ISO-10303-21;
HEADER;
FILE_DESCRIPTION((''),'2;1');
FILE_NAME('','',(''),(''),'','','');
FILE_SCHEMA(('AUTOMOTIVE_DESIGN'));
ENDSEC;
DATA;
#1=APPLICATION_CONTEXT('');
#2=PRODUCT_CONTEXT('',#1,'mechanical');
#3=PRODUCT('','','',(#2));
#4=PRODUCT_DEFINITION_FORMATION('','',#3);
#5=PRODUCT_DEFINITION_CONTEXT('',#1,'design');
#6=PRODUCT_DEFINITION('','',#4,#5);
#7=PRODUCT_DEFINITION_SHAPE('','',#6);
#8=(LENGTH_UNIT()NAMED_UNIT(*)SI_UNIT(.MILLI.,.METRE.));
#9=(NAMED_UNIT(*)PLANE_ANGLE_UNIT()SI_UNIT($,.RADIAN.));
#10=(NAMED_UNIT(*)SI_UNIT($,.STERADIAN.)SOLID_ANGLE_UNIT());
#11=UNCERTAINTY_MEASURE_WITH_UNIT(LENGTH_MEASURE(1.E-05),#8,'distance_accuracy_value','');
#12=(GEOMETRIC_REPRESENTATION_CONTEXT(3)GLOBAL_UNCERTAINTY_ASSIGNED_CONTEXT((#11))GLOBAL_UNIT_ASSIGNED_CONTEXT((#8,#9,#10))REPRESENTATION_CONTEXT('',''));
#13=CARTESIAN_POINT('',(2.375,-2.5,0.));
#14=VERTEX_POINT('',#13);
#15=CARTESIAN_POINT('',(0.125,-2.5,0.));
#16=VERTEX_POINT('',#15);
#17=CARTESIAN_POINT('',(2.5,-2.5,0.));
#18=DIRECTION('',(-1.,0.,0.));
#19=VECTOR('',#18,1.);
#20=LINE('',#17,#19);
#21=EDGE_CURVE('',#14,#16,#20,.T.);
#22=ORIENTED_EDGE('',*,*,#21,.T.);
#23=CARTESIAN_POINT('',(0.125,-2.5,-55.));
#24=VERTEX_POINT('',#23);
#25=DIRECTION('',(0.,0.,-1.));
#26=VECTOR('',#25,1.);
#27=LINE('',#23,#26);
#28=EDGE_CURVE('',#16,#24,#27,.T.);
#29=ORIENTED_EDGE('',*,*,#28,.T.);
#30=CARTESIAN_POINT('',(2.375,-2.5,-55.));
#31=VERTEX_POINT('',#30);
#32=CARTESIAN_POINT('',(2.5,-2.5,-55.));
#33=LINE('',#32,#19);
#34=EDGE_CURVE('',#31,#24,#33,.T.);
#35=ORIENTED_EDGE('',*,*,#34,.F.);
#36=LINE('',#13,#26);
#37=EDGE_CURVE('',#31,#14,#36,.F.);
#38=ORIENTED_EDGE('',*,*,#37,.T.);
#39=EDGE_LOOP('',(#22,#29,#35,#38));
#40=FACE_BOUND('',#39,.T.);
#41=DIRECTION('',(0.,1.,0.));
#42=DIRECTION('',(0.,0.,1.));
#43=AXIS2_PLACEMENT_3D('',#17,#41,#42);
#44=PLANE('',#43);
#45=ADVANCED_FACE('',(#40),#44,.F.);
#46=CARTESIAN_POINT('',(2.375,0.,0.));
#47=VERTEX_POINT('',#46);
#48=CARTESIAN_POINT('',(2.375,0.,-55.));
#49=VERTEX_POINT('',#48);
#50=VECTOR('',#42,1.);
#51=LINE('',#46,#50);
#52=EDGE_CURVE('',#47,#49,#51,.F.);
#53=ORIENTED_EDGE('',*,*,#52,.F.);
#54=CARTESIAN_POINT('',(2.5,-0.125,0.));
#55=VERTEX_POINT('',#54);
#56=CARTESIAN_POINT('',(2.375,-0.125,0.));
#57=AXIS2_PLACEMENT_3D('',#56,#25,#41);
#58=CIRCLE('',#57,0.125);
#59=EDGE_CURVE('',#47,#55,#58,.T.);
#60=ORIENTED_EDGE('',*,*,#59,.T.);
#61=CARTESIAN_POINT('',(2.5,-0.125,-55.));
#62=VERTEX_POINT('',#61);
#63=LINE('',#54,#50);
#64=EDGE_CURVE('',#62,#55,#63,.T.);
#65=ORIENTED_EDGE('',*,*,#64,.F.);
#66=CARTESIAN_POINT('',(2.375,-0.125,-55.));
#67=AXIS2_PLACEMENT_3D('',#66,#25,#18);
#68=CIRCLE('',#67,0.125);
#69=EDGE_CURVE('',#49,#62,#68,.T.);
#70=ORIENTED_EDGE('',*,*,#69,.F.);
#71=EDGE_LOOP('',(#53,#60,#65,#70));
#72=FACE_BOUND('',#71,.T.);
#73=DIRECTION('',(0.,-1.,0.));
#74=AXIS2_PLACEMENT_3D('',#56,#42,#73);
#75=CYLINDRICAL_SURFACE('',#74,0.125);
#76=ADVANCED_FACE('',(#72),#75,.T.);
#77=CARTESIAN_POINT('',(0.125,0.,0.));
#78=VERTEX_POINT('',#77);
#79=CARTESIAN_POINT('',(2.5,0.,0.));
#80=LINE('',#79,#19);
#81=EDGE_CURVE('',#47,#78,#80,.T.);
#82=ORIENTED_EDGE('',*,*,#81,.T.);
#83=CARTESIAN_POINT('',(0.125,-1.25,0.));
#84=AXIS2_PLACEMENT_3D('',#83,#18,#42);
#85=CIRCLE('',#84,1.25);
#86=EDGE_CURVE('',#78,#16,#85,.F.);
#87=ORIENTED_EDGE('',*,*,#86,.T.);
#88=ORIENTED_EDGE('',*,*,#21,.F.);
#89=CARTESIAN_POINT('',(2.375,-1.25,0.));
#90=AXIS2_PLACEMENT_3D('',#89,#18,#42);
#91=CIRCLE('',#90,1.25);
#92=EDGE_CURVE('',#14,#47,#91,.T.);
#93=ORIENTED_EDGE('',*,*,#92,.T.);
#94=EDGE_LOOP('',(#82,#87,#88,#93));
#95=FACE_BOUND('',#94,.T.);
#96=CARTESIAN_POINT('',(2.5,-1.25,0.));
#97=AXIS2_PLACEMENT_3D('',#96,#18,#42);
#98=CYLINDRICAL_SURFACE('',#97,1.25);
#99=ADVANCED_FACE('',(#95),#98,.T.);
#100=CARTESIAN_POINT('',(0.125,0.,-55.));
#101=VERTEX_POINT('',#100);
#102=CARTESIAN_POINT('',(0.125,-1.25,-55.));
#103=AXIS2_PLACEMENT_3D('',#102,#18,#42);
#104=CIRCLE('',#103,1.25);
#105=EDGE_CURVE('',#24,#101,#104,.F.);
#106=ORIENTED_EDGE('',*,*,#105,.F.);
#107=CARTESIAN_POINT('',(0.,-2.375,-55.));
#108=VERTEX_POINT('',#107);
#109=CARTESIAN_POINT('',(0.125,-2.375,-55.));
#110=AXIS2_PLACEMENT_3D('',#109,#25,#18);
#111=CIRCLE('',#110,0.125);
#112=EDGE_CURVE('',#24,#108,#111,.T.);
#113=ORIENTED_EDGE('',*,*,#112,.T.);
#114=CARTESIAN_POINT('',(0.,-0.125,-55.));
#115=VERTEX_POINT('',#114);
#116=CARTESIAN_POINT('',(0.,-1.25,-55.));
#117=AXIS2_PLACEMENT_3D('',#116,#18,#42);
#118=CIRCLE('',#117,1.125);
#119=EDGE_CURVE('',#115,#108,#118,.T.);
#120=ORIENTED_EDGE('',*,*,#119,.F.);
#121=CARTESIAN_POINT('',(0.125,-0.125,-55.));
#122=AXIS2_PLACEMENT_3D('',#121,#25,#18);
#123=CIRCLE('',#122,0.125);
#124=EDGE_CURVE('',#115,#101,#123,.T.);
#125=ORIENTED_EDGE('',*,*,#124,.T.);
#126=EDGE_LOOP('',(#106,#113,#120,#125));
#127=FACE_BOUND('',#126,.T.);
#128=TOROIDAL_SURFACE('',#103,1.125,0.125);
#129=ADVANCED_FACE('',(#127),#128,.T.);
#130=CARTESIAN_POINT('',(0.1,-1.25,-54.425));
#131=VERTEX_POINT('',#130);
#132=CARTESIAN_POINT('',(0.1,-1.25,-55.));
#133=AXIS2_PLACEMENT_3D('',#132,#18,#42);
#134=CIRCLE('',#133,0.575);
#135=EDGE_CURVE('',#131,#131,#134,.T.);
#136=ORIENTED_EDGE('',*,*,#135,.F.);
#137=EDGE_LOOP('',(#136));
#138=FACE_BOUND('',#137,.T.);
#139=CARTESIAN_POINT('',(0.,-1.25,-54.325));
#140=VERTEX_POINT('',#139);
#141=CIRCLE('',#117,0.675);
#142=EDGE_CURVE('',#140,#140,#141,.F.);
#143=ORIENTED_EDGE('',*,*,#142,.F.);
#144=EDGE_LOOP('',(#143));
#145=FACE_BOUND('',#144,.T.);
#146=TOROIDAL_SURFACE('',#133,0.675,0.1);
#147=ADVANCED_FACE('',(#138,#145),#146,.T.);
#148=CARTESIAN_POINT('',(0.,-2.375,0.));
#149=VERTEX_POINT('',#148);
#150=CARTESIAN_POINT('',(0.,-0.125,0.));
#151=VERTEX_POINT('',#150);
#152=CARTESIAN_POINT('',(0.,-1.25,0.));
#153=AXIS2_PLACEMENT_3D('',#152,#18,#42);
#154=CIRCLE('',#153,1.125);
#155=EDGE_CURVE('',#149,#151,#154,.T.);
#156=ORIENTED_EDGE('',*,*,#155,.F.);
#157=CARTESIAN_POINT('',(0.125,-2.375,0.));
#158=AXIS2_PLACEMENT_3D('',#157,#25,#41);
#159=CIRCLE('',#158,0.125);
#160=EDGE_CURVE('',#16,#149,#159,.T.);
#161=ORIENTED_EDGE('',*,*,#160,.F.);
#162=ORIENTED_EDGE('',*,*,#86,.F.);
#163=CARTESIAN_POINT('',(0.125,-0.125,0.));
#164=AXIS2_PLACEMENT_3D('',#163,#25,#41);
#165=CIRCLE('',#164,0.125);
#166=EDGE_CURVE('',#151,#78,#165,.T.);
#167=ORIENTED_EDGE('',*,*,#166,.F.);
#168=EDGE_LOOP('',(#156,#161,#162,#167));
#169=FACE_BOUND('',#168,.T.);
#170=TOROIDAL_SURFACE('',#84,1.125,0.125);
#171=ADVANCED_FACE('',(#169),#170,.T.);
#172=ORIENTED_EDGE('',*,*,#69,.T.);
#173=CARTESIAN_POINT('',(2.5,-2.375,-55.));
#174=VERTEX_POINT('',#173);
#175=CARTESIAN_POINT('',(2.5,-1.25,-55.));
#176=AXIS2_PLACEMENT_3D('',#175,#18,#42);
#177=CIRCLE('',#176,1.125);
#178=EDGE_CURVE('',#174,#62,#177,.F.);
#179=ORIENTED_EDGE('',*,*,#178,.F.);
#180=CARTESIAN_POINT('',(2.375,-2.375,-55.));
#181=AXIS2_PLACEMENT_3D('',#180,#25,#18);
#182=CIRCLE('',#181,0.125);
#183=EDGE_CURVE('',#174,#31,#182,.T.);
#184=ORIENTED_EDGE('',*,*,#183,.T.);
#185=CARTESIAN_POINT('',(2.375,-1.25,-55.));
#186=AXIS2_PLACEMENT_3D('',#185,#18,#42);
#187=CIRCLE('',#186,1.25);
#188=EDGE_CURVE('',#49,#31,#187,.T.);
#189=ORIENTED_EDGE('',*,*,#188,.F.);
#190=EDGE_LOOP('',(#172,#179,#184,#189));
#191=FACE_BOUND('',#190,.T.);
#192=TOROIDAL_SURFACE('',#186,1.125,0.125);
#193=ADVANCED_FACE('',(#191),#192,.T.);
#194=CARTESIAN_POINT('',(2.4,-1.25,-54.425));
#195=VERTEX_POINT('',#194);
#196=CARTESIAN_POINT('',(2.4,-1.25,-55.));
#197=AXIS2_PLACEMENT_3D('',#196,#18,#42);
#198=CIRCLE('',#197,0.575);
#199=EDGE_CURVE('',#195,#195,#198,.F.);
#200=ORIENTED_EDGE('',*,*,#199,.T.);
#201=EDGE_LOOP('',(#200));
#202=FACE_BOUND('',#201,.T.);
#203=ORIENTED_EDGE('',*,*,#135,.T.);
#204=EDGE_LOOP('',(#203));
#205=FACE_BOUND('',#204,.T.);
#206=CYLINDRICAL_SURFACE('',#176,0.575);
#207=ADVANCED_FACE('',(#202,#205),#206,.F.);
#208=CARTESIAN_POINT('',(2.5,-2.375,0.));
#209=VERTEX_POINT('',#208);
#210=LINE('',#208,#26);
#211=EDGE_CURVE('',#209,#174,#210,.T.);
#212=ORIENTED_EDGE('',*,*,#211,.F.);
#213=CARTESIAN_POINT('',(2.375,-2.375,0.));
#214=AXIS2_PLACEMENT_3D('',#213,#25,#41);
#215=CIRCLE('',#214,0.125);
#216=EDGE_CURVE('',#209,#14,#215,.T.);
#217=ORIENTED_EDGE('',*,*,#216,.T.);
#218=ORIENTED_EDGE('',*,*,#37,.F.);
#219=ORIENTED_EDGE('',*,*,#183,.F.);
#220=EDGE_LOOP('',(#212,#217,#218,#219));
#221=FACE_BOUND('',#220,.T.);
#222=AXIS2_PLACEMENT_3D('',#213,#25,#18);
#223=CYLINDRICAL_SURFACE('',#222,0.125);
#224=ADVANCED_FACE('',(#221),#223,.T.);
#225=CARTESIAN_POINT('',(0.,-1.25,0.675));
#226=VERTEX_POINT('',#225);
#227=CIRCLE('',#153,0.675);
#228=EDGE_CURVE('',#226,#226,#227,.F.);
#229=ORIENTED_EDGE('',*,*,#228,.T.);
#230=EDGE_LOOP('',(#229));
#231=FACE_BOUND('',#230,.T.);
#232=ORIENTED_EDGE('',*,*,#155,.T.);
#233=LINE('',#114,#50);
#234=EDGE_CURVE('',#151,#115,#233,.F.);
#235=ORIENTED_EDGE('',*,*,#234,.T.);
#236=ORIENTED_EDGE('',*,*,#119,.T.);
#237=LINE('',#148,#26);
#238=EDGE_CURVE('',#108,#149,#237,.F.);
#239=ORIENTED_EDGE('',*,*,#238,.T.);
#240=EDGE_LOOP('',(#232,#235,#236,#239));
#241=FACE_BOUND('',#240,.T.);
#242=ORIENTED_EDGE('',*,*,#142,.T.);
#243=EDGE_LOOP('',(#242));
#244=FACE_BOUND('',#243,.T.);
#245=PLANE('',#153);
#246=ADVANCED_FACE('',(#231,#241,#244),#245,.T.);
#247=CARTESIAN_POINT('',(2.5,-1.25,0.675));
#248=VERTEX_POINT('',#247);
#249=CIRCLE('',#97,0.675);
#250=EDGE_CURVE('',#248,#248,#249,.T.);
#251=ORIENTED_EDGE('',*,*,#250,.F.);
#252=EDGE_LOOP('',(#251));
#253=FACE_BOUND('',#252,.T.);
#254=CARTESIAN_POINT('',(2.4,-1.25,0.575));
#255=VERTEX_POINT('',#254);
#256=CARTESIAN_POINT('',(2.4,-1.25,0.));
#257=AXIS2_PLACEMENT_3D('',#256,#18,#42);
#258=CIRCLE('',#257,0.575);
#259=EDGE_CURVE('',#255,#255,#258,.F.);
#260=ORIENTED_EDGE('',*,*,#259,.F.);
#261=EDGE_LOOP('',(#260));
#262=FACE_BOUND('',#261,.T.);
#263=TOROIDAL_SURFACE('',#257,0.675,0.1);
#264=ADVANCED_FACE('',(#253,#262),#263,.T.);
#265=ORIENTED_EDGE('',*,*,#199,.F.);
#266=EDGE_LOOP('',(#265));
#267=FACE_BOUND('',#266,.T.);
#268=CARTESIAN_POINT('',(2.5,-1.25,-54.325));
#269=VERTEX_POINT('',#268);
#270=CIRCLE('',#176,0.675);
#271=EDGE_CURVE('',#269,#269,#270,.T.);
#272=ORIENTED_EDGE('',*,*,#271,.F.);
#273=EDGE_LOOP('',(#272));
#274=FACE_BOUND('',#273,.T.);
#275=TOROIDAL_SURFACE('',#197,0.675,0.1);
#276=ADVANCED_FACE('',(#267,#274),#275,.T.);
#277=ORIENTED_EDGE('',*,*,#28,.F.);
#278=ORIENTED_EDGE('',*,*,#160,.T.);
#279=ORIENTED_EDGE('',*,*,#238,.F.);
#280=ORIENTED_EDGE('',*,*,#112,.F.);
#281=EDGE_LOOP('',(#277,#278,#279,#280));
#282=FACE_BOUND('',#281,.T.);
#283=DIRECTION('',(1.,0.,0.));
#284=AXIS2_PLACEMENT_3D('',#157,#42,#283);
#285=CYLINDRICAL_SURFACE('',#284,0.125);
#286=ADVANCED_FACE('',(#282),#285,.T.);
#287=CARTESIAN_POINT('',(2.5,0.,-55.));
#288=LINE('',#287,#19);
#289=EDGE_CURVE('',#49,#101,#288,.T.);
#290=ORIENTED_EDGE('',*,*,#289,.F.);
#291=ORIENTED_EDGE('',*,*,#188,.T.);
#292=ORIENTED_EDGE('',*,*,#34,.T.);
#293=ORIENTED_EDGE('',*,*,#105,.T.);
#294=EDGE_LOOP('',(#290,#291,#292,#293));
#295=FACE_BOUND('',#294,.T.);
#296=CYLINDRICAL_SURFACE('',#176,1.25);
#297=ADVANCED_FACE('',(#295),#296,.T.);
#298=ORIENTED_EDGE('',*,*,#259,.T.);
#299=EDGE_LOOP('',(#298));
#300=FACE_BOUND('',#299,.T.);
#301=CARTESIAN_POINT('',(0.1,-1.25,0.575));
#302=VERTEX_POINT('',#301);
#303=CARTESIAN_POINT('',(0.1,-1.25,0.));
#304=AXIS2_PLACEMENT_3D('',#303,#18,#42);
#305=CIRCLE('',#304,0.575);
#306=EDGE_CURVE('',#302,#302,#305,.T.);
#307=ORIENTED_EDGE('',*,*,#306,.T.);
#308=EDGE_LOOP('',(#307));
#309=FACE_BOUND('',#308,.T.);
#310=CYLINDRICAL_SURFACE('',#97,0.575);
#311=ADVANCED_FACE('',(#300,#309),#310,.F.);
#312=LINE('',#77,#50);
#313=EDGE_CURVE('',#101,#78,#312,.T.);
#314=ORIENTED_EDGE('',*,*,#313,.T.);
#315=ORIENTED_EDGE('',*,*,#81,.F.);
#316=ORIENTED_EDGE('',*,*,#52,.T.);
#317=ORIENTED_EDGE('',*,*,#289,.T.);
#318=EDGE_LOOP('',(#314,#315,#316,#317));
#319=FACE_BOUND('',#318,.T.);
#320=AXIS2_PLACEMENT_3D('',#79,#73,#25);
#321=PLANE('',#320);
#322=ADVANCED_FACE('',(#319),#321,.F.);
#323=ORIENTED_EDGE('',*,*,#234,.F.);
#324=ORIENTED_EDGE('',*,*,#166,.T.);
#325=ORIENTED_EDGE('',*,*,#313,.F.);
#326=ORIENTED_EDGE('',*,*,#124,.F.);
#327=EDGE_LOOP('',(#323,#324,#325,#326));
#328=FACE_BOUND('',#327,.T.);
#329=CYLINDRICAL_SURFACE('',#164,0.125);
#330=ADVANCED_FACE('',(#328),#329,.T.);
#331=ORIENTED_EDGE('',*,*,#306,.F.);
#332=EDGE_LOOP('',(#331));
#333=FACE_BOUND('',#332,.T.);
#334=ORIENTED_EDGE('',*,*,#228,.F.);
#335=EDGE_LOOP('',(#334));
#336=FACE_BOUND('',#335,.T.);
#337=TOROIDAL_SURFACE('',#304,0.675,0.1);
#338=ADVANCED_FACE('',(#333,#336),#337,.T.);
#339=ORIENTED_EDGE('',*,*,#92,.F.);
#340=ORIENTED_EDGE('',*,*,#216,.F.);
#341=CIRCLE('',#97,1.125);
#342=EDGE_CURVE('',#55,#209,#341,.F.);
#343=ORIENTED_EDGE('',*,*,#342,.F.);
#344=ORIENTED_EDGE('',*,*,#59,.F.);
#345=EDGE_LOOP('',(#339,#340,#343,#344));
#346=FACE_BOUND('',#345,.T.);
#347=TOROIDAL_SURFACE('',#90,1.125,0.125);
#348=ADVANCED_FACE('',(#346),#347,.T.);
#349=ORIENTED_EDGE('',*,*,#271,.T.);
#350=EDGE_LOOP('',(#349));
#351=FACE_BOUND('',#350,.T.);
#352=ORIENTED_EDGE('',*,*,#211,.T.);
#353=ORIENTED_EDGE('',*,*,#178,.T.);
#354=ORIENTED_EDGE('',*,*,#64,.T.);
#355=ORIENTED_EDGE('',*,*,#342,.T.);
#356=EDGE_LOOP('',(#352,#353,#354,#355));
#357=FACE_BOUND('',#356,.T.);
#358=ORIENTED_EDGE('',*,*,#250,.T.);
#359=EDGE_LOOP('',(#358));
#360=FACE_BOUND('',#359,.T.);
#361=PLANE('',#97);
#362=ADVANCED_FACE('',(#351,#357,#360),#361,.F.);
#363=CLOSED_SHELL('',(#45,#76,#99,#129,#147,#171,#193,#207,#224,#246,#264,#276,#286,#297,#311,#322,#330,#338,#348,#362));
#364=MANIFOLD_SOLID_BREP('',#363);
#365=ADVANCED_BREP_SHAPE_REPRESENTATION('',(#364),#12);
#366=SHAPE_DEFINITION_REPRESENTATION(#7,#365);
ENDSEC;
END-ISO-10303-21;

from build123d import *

# Parameters (mm, degrees)
SKETCH1_R           = 0.575
BOSS_EXTRUDE1_DEPTH = 2.5
FILLET1_R           = 0.125
FILLET2_R           = 0.1


with BuildPart() as part:
    # Sketch1 → Boss-Extrude1 (new body)
    with BuildSketch(Plane(origin=(0, 0, 0), x_dir=(0, 0, -1), z_dir=(1, 0, 0))):
        with BuildLine():
            Line((0, 0), (55, 0))
            ThreePointArc((55, 0), (56.25, -1.25), (55, -2.5))
            Line((55, -2.5), (0, -2.5))
            ThreePointArc((0, -2.5), (-1.25, -1.25), (0, 0))
        make_face()
        with Locations((0, -1.25)):
            Circle(SKETCH1_R, mode=Mode.SUBTRACT)
        with Locations((55, -1.25)):
            Circle(SKETCH1_R, mode=Mode.SUBTRACT)
    extrude(amount=BOSS_EXTRUDE1_DEPTH)

    # Fillet1
    fillet1_edges = [part.edges().sort_by_distance(p)[0] for p in [
        (2.5, -1.25, -56.25),
        (2.5, 0, -27.5),
        (2.5, -1.25, 1.25),
        (0, 0, -27.5),
        (0, -1.25, -56.25),
        (0, -2.5, -27.5),
        (0, -1.25, 1.25),
        (2.5, -2.5, -27.5),
    ]]
    fillet(fillet1_edges, radius=FILLET1_R)

    # Fillet2
    fillet2_edges = [part.edges().sort_by_distance(p)[0] for p in [
        (0, -1.25, 0.575),
        (2.5, -1.25, 0.575),
        (0, -1.25, -54.425),
        (2.5, -1.25, -54.425),
    ]]
    fillet(fillet2_edges, radius=FILLET2_R)


solid = part.part
